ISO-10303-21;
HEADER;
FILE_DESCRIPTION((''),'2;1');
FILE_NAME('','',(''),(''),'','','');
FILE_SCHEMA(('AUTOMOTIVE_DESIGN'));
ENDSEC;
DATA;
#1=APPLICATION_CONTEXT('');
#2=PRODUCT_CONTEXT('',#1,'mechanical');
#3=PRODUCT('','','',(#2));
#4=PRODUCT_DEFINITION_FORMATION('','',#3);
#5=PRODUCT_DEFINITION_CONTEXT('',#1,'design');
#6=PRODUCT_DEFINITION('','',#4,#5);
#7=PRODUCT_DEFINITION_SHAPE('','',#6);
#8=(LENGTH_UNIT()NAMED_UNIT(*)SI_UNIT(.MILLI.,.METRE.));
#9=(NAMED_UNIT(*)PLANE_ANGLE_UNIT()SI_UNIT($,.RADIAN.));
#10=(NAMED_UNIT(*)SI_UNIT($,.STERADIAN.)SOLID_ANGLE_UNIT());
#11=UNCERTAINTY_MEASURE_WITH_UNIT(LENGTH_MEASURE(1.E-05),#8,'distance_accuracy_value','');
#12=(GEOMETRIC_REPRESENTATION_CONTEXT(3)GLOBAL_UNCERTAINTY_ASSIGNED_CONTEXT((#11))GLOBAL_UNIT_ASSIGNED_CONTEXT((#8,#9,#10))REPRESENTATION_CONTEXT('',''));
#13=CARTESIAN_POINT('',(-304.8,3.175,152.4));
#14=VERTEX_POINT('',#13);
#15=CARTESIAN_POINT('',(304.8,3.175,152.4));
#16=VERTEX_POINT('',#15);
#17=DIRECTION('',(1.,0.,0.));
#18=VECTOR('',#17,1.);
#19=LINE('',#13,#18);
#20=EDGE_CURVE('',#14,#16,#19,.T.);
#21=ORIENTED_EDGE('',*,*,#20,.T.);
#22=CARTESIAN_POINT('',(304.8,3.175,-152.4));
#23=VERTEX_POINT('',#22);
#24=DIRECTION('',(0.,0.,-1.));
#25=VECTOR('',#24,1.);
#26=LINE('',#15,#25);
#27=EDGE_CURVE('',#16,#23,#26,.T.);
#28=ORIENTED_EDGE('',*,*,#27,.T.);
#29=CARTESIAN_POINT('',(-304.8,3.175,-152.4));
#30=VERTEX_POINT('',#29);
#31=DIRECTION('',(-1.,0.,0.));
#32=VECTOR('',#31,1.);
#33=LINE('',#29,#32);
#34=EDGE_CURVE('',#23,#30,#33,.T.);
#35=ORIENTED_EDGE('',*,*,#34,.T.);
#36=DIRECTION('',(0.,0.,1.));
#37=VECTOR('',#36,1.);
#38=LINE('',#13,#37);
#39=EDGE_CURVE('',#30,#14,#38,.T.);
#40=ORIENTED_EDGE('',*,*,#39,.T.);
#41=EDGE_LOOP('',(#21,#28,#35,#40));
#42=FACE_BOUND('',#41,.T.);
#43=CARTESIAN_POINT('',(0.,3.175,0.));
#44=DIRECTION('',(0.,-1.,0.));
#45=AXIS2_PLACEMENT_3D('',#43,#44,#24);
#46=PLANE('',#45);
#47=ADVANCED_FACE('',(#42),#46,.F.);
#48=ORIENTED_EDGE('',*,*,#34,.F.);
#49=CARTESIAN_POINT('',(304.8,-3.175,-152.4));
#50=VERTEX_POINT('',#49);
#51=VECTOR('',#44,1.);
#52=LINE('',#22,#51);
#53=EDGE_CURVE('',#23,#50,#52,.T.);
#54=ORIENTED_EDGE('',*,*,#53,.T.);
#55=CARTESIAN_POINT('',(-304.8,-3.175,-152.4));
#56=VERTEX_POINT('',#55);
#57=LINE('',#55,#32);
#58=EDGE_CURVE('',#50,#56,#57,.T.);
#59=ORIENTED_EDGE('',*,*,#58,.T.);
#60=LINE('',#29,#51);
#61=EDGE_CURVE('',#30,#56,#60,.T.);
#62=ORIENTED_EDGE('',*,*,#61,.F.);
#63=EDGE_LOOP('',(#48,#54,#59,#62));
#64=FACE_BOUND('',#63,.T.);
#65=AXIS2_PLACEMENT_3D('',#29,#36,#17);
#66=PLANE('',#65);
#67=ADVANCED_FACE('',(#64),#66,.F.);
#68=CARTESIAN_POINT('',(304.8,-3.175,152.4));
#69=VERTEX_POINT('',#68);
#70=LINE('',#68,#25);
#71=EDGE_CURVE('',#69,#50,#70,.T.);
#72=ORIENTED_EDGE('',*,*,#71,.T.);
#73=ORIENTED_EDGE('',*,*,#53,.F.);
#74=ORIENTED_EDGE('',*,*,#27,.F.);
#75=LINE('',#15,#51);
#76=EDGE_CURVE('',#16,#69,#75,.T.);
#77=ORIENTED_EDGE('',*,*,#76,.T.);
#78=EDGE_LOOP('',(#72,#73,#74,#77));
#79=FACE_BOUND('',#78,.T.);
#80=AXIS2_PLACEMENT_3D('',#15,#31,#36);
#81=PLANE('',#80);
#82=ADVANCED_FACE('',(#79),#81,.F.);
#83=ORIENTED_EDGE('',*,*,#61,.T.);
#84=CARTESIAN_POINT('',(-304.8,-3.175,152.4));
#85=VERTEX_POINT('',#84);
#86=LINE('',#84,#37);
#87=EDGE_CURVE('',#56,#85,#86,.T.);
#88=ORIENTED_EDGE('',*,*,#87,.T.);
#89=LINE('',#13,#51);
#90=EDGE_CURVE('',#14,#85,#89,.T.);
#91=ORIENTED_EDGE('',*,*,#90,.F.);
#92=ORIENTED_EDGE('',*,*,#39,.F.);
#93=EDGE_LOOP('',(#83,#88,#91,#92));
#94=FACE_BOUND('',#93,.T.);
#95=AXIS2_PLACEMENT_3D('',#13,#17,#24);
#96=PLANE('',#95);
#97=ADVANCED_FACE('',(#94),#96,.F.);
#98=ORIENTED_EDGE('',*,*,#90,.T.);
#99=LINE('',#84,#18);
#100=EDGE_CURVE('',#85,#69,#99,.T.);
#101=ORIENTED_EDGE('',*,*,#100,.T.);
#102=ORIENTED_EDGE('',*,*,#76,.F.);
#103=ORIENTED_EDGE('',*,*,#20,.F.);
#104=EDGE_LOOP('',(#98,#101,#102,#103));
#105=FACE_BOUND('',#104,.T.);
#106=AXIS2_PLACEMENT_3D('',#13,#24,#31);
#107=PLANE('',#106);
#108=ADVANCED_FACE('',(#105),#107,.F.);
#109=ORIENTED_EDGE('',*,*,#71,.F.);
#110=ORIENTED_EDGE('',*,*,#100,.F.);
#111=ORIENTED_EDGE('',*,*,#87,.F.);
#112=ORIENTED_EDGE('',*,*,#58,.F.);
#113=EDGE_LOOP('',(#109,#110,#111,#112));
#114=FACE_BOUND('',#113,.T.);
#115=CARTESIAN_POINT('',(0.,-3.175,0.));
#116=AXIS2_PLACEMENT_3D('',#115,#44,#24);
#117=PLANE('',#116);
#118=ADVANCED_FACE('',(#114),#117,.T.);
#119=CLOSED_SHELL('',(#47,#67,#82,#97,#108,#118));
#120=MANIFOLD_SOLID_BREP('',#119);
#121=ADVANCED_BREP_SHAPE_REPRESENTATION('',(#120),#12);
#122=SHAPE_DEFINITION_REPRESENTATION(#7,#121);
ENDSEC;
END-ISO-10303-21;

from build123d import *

# Parameters (mm, degrees)
SKETCH1_W           = 609.6
SKETCH1_H           = 304.8
BOSS_EXTRUDE1_DEPTH = 3.175


with BuildPart() as part:
    # Sketch1 → Boss-Extrude1 (new body, symmetric)
    with BuildSketch(Plane(origin=(0, 0, 0), x_dir=(1, 0, 0), z_dir=(0, 1, 0))):
        Rectangle(SKETCH1_W, SKETCH1_H)
    extrude(amount=BOSS_EXTRUDE1_DEPTH, both=True)


solid = part.part
